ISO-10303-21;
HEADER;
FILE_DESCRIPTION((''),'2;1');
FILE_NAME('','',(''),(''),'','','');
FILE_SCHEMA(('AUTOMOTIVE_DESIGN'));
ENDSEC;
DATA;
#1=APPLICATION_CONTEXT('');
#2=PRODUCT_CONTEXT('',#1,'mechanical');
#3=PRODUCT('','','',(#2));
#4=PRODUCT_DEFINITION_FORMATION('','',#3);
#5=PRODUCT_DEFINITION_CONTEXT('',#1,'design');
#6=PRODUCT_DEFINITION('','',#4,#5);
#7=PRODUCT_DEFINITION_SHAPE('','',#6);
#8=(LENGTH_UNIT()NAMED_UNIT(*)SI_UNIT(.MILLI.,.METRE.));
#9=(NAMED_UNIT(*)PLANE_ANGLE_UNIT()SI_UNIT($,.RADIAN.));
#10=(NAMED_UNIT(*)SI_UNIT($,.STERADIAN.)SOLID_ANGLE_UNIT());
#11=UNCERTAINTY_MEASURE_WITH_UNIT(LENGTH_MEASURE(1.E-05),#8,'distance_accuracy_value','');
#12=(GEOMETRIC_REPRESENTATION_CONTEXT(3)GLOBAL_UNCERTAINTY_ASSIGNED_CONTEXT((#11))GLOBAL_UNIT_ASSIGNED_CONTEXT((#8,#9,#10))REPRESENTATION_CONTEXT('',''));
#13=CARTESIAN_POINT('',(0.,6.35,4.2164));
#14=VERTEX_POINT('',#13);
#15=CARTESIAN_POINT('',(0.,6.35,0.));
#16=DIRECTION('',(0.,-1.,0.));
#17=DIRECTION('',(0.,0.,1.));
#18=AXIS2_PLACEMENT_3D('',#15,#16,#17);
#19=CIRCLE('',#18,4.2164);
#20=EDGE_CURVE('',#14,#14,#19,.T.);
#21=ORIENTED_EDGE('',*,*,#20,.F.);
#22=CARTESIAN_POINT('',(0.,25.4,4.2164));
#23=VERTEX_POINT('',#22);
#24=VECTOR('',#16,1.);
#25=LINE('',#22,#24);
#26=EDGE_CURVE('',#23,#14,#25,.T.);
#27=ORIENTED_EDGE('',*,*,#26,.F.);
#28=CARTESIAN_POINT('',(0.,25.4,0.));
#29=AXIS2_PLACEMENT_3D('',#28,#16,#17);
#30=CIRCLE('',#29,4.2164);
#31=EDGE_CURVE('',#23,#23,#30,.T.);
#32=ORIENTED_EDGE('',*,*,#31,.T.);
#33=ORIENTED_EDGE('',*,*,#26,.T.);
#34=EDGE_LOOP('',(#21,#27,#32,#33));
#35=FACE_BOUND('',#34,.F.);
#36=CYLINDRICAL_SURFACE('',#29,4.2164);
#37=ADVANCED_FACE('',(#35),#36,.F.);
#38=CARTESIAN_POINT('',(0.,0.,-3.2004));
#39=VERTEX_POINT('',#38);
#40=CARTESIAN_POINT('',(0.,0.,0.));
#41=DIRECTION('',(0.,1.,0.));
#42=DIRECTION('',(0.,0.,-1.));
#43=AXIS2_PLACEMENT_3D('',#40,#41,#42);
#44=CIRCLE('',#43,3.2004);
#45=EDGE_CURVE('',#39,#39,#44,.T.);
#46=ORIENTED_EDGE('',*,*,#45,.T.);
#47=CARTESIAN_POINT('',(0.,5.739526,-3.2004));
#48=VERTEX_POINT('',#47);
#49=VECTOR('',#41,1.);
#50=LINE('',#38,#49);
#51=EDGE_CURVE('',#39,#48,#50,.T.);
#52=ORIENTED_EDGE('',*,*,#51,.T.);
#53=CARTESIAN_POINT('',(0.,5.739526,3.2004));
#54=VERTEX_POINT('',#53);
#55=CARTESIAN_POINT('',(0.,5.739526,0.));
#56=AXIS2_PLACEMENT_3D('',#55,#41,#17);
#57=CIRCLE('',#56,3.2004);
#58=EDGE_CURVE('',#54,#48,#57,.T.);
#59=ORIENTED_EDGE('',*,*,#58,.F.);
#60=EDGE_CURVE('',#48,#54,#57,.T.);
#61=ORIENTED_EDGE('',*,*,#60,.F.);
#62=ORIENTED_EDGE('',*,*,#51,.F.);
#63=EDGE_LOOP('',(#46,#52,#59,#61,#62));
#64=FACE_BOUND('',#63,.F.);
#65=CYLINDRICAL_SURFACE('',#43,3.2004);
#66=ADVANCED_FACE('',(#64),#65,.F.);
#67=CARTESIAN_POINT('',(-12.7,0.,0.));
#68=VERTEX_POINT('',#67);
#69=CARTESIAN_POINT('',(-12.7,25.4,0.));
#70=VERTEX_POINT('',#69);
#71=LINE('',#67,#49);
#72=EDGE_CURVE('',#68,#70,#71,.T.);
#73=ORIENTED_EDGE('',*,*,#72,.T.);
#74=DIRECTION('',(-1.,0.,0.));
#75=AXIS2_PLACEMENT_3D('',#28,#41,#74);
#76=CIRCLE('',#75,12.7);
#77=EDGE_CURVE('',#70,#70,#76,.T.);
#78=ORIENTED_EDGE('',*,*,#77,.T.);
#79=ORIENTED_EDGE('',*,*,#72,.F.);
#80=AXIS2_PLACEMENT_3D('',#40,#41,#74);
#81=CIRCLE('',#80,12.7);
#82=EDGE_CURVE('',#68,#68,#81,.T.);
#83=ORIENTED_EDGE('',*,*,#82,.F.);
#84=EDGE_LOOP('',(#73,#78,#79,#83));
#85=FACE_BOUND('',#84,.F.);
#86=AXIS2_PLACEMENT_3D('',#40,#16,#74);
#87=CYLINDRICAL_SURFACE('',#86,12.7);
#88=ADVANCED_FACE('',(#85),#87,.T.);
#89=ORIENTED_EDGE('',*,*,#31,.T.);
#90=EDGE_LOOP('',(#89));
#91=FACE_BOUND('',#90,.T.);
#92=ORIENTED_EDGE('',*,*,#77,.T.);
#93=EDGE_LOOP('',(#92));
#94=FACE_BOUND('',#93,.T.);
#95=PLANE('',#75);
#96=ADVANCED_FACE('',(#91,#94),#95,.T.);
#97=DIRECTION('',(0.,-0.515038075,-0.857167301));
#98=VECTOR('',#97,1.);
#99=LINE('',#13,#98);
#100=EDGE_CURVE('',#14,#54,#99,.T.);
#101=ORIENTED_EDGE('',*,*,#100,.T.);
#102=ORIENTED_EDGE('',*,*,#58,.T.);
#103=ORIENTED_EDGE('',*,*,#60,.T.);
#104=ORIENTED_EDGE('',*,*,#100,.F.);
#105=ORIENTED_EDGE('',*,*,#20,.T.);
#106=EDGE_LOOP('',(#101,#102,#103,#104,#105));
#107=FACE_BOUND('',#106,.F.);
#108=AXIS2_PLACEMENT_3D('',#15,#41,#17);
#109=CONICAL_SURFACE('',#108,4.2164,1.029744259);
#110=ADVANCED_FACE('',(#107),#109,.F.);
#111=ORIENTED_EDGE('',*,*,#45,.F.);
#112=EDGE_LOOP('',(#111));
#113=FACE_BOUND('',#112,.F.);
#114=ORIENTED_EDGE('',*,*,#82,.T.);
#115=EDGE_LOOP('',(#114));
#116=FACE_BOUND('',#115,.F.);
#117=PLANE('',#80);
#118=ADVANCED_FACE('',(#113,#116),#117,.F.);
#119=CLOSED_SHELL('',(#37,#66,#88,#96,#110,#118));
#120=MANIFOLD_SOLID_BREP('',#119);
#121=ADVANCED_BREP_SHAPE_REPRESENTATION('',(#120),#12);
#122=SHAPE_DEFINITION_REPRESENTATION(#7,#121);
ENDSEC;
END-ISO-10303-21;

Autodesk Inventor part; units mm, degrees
ref_plane "YZ Plane" through (0, 0, 0) normal (1, 0, 0) x (0, 1, 0)
ref_plane "XZ Plane" through (0, 0, 0) normal (0, 1, 0) x (-1, 0, 0)
ref_plane "XY Plane" through (0, 0, 0) normal (0, 0, 1) x (1, 0, 0)
sketch "Sketch1" plane through (0, 0, 0) normal (0, 1, 0) x (-1, 0, 0)
  circle A0 centre (0, 0) radius 12.7
  dimension "d0" = 25.4
extrude "Extrusion1" add sketch "Sketch1" along normal blind 25.4
sketch "Sketch2" plane through (0, 25.4, 0) normal (0, 1, 0) x (1, 0, 0)
  circle A0 centre (0, 0) radius 2.4685
hole "Hole1" at (0, 25.4, 0) direction (0, -1, 0) diameter 8.4328 depth 19.05 tip angle 118 clearance for "Flat Head Machine Screw (82)" size "5/16" standard "Ansi Unified Screw Threads"
sketch "Sketch3" plane through (0, 0, 0) normal (0, -1, 0) x (1, 0, 0)
  circle A0 centre (0, 0) radius 4.2164 projected
  circle A1 centre (0, 0) radius 3.0691
hole "Hole2" at (0, 0, 0) direction (0, 1, 0) diameter 6.4008 depth 12.7 tip angle 118 thread size "5/16-18 UNC" class "2B" standard "ANSI Unified Screw Threads"
properties part number "spacer"
